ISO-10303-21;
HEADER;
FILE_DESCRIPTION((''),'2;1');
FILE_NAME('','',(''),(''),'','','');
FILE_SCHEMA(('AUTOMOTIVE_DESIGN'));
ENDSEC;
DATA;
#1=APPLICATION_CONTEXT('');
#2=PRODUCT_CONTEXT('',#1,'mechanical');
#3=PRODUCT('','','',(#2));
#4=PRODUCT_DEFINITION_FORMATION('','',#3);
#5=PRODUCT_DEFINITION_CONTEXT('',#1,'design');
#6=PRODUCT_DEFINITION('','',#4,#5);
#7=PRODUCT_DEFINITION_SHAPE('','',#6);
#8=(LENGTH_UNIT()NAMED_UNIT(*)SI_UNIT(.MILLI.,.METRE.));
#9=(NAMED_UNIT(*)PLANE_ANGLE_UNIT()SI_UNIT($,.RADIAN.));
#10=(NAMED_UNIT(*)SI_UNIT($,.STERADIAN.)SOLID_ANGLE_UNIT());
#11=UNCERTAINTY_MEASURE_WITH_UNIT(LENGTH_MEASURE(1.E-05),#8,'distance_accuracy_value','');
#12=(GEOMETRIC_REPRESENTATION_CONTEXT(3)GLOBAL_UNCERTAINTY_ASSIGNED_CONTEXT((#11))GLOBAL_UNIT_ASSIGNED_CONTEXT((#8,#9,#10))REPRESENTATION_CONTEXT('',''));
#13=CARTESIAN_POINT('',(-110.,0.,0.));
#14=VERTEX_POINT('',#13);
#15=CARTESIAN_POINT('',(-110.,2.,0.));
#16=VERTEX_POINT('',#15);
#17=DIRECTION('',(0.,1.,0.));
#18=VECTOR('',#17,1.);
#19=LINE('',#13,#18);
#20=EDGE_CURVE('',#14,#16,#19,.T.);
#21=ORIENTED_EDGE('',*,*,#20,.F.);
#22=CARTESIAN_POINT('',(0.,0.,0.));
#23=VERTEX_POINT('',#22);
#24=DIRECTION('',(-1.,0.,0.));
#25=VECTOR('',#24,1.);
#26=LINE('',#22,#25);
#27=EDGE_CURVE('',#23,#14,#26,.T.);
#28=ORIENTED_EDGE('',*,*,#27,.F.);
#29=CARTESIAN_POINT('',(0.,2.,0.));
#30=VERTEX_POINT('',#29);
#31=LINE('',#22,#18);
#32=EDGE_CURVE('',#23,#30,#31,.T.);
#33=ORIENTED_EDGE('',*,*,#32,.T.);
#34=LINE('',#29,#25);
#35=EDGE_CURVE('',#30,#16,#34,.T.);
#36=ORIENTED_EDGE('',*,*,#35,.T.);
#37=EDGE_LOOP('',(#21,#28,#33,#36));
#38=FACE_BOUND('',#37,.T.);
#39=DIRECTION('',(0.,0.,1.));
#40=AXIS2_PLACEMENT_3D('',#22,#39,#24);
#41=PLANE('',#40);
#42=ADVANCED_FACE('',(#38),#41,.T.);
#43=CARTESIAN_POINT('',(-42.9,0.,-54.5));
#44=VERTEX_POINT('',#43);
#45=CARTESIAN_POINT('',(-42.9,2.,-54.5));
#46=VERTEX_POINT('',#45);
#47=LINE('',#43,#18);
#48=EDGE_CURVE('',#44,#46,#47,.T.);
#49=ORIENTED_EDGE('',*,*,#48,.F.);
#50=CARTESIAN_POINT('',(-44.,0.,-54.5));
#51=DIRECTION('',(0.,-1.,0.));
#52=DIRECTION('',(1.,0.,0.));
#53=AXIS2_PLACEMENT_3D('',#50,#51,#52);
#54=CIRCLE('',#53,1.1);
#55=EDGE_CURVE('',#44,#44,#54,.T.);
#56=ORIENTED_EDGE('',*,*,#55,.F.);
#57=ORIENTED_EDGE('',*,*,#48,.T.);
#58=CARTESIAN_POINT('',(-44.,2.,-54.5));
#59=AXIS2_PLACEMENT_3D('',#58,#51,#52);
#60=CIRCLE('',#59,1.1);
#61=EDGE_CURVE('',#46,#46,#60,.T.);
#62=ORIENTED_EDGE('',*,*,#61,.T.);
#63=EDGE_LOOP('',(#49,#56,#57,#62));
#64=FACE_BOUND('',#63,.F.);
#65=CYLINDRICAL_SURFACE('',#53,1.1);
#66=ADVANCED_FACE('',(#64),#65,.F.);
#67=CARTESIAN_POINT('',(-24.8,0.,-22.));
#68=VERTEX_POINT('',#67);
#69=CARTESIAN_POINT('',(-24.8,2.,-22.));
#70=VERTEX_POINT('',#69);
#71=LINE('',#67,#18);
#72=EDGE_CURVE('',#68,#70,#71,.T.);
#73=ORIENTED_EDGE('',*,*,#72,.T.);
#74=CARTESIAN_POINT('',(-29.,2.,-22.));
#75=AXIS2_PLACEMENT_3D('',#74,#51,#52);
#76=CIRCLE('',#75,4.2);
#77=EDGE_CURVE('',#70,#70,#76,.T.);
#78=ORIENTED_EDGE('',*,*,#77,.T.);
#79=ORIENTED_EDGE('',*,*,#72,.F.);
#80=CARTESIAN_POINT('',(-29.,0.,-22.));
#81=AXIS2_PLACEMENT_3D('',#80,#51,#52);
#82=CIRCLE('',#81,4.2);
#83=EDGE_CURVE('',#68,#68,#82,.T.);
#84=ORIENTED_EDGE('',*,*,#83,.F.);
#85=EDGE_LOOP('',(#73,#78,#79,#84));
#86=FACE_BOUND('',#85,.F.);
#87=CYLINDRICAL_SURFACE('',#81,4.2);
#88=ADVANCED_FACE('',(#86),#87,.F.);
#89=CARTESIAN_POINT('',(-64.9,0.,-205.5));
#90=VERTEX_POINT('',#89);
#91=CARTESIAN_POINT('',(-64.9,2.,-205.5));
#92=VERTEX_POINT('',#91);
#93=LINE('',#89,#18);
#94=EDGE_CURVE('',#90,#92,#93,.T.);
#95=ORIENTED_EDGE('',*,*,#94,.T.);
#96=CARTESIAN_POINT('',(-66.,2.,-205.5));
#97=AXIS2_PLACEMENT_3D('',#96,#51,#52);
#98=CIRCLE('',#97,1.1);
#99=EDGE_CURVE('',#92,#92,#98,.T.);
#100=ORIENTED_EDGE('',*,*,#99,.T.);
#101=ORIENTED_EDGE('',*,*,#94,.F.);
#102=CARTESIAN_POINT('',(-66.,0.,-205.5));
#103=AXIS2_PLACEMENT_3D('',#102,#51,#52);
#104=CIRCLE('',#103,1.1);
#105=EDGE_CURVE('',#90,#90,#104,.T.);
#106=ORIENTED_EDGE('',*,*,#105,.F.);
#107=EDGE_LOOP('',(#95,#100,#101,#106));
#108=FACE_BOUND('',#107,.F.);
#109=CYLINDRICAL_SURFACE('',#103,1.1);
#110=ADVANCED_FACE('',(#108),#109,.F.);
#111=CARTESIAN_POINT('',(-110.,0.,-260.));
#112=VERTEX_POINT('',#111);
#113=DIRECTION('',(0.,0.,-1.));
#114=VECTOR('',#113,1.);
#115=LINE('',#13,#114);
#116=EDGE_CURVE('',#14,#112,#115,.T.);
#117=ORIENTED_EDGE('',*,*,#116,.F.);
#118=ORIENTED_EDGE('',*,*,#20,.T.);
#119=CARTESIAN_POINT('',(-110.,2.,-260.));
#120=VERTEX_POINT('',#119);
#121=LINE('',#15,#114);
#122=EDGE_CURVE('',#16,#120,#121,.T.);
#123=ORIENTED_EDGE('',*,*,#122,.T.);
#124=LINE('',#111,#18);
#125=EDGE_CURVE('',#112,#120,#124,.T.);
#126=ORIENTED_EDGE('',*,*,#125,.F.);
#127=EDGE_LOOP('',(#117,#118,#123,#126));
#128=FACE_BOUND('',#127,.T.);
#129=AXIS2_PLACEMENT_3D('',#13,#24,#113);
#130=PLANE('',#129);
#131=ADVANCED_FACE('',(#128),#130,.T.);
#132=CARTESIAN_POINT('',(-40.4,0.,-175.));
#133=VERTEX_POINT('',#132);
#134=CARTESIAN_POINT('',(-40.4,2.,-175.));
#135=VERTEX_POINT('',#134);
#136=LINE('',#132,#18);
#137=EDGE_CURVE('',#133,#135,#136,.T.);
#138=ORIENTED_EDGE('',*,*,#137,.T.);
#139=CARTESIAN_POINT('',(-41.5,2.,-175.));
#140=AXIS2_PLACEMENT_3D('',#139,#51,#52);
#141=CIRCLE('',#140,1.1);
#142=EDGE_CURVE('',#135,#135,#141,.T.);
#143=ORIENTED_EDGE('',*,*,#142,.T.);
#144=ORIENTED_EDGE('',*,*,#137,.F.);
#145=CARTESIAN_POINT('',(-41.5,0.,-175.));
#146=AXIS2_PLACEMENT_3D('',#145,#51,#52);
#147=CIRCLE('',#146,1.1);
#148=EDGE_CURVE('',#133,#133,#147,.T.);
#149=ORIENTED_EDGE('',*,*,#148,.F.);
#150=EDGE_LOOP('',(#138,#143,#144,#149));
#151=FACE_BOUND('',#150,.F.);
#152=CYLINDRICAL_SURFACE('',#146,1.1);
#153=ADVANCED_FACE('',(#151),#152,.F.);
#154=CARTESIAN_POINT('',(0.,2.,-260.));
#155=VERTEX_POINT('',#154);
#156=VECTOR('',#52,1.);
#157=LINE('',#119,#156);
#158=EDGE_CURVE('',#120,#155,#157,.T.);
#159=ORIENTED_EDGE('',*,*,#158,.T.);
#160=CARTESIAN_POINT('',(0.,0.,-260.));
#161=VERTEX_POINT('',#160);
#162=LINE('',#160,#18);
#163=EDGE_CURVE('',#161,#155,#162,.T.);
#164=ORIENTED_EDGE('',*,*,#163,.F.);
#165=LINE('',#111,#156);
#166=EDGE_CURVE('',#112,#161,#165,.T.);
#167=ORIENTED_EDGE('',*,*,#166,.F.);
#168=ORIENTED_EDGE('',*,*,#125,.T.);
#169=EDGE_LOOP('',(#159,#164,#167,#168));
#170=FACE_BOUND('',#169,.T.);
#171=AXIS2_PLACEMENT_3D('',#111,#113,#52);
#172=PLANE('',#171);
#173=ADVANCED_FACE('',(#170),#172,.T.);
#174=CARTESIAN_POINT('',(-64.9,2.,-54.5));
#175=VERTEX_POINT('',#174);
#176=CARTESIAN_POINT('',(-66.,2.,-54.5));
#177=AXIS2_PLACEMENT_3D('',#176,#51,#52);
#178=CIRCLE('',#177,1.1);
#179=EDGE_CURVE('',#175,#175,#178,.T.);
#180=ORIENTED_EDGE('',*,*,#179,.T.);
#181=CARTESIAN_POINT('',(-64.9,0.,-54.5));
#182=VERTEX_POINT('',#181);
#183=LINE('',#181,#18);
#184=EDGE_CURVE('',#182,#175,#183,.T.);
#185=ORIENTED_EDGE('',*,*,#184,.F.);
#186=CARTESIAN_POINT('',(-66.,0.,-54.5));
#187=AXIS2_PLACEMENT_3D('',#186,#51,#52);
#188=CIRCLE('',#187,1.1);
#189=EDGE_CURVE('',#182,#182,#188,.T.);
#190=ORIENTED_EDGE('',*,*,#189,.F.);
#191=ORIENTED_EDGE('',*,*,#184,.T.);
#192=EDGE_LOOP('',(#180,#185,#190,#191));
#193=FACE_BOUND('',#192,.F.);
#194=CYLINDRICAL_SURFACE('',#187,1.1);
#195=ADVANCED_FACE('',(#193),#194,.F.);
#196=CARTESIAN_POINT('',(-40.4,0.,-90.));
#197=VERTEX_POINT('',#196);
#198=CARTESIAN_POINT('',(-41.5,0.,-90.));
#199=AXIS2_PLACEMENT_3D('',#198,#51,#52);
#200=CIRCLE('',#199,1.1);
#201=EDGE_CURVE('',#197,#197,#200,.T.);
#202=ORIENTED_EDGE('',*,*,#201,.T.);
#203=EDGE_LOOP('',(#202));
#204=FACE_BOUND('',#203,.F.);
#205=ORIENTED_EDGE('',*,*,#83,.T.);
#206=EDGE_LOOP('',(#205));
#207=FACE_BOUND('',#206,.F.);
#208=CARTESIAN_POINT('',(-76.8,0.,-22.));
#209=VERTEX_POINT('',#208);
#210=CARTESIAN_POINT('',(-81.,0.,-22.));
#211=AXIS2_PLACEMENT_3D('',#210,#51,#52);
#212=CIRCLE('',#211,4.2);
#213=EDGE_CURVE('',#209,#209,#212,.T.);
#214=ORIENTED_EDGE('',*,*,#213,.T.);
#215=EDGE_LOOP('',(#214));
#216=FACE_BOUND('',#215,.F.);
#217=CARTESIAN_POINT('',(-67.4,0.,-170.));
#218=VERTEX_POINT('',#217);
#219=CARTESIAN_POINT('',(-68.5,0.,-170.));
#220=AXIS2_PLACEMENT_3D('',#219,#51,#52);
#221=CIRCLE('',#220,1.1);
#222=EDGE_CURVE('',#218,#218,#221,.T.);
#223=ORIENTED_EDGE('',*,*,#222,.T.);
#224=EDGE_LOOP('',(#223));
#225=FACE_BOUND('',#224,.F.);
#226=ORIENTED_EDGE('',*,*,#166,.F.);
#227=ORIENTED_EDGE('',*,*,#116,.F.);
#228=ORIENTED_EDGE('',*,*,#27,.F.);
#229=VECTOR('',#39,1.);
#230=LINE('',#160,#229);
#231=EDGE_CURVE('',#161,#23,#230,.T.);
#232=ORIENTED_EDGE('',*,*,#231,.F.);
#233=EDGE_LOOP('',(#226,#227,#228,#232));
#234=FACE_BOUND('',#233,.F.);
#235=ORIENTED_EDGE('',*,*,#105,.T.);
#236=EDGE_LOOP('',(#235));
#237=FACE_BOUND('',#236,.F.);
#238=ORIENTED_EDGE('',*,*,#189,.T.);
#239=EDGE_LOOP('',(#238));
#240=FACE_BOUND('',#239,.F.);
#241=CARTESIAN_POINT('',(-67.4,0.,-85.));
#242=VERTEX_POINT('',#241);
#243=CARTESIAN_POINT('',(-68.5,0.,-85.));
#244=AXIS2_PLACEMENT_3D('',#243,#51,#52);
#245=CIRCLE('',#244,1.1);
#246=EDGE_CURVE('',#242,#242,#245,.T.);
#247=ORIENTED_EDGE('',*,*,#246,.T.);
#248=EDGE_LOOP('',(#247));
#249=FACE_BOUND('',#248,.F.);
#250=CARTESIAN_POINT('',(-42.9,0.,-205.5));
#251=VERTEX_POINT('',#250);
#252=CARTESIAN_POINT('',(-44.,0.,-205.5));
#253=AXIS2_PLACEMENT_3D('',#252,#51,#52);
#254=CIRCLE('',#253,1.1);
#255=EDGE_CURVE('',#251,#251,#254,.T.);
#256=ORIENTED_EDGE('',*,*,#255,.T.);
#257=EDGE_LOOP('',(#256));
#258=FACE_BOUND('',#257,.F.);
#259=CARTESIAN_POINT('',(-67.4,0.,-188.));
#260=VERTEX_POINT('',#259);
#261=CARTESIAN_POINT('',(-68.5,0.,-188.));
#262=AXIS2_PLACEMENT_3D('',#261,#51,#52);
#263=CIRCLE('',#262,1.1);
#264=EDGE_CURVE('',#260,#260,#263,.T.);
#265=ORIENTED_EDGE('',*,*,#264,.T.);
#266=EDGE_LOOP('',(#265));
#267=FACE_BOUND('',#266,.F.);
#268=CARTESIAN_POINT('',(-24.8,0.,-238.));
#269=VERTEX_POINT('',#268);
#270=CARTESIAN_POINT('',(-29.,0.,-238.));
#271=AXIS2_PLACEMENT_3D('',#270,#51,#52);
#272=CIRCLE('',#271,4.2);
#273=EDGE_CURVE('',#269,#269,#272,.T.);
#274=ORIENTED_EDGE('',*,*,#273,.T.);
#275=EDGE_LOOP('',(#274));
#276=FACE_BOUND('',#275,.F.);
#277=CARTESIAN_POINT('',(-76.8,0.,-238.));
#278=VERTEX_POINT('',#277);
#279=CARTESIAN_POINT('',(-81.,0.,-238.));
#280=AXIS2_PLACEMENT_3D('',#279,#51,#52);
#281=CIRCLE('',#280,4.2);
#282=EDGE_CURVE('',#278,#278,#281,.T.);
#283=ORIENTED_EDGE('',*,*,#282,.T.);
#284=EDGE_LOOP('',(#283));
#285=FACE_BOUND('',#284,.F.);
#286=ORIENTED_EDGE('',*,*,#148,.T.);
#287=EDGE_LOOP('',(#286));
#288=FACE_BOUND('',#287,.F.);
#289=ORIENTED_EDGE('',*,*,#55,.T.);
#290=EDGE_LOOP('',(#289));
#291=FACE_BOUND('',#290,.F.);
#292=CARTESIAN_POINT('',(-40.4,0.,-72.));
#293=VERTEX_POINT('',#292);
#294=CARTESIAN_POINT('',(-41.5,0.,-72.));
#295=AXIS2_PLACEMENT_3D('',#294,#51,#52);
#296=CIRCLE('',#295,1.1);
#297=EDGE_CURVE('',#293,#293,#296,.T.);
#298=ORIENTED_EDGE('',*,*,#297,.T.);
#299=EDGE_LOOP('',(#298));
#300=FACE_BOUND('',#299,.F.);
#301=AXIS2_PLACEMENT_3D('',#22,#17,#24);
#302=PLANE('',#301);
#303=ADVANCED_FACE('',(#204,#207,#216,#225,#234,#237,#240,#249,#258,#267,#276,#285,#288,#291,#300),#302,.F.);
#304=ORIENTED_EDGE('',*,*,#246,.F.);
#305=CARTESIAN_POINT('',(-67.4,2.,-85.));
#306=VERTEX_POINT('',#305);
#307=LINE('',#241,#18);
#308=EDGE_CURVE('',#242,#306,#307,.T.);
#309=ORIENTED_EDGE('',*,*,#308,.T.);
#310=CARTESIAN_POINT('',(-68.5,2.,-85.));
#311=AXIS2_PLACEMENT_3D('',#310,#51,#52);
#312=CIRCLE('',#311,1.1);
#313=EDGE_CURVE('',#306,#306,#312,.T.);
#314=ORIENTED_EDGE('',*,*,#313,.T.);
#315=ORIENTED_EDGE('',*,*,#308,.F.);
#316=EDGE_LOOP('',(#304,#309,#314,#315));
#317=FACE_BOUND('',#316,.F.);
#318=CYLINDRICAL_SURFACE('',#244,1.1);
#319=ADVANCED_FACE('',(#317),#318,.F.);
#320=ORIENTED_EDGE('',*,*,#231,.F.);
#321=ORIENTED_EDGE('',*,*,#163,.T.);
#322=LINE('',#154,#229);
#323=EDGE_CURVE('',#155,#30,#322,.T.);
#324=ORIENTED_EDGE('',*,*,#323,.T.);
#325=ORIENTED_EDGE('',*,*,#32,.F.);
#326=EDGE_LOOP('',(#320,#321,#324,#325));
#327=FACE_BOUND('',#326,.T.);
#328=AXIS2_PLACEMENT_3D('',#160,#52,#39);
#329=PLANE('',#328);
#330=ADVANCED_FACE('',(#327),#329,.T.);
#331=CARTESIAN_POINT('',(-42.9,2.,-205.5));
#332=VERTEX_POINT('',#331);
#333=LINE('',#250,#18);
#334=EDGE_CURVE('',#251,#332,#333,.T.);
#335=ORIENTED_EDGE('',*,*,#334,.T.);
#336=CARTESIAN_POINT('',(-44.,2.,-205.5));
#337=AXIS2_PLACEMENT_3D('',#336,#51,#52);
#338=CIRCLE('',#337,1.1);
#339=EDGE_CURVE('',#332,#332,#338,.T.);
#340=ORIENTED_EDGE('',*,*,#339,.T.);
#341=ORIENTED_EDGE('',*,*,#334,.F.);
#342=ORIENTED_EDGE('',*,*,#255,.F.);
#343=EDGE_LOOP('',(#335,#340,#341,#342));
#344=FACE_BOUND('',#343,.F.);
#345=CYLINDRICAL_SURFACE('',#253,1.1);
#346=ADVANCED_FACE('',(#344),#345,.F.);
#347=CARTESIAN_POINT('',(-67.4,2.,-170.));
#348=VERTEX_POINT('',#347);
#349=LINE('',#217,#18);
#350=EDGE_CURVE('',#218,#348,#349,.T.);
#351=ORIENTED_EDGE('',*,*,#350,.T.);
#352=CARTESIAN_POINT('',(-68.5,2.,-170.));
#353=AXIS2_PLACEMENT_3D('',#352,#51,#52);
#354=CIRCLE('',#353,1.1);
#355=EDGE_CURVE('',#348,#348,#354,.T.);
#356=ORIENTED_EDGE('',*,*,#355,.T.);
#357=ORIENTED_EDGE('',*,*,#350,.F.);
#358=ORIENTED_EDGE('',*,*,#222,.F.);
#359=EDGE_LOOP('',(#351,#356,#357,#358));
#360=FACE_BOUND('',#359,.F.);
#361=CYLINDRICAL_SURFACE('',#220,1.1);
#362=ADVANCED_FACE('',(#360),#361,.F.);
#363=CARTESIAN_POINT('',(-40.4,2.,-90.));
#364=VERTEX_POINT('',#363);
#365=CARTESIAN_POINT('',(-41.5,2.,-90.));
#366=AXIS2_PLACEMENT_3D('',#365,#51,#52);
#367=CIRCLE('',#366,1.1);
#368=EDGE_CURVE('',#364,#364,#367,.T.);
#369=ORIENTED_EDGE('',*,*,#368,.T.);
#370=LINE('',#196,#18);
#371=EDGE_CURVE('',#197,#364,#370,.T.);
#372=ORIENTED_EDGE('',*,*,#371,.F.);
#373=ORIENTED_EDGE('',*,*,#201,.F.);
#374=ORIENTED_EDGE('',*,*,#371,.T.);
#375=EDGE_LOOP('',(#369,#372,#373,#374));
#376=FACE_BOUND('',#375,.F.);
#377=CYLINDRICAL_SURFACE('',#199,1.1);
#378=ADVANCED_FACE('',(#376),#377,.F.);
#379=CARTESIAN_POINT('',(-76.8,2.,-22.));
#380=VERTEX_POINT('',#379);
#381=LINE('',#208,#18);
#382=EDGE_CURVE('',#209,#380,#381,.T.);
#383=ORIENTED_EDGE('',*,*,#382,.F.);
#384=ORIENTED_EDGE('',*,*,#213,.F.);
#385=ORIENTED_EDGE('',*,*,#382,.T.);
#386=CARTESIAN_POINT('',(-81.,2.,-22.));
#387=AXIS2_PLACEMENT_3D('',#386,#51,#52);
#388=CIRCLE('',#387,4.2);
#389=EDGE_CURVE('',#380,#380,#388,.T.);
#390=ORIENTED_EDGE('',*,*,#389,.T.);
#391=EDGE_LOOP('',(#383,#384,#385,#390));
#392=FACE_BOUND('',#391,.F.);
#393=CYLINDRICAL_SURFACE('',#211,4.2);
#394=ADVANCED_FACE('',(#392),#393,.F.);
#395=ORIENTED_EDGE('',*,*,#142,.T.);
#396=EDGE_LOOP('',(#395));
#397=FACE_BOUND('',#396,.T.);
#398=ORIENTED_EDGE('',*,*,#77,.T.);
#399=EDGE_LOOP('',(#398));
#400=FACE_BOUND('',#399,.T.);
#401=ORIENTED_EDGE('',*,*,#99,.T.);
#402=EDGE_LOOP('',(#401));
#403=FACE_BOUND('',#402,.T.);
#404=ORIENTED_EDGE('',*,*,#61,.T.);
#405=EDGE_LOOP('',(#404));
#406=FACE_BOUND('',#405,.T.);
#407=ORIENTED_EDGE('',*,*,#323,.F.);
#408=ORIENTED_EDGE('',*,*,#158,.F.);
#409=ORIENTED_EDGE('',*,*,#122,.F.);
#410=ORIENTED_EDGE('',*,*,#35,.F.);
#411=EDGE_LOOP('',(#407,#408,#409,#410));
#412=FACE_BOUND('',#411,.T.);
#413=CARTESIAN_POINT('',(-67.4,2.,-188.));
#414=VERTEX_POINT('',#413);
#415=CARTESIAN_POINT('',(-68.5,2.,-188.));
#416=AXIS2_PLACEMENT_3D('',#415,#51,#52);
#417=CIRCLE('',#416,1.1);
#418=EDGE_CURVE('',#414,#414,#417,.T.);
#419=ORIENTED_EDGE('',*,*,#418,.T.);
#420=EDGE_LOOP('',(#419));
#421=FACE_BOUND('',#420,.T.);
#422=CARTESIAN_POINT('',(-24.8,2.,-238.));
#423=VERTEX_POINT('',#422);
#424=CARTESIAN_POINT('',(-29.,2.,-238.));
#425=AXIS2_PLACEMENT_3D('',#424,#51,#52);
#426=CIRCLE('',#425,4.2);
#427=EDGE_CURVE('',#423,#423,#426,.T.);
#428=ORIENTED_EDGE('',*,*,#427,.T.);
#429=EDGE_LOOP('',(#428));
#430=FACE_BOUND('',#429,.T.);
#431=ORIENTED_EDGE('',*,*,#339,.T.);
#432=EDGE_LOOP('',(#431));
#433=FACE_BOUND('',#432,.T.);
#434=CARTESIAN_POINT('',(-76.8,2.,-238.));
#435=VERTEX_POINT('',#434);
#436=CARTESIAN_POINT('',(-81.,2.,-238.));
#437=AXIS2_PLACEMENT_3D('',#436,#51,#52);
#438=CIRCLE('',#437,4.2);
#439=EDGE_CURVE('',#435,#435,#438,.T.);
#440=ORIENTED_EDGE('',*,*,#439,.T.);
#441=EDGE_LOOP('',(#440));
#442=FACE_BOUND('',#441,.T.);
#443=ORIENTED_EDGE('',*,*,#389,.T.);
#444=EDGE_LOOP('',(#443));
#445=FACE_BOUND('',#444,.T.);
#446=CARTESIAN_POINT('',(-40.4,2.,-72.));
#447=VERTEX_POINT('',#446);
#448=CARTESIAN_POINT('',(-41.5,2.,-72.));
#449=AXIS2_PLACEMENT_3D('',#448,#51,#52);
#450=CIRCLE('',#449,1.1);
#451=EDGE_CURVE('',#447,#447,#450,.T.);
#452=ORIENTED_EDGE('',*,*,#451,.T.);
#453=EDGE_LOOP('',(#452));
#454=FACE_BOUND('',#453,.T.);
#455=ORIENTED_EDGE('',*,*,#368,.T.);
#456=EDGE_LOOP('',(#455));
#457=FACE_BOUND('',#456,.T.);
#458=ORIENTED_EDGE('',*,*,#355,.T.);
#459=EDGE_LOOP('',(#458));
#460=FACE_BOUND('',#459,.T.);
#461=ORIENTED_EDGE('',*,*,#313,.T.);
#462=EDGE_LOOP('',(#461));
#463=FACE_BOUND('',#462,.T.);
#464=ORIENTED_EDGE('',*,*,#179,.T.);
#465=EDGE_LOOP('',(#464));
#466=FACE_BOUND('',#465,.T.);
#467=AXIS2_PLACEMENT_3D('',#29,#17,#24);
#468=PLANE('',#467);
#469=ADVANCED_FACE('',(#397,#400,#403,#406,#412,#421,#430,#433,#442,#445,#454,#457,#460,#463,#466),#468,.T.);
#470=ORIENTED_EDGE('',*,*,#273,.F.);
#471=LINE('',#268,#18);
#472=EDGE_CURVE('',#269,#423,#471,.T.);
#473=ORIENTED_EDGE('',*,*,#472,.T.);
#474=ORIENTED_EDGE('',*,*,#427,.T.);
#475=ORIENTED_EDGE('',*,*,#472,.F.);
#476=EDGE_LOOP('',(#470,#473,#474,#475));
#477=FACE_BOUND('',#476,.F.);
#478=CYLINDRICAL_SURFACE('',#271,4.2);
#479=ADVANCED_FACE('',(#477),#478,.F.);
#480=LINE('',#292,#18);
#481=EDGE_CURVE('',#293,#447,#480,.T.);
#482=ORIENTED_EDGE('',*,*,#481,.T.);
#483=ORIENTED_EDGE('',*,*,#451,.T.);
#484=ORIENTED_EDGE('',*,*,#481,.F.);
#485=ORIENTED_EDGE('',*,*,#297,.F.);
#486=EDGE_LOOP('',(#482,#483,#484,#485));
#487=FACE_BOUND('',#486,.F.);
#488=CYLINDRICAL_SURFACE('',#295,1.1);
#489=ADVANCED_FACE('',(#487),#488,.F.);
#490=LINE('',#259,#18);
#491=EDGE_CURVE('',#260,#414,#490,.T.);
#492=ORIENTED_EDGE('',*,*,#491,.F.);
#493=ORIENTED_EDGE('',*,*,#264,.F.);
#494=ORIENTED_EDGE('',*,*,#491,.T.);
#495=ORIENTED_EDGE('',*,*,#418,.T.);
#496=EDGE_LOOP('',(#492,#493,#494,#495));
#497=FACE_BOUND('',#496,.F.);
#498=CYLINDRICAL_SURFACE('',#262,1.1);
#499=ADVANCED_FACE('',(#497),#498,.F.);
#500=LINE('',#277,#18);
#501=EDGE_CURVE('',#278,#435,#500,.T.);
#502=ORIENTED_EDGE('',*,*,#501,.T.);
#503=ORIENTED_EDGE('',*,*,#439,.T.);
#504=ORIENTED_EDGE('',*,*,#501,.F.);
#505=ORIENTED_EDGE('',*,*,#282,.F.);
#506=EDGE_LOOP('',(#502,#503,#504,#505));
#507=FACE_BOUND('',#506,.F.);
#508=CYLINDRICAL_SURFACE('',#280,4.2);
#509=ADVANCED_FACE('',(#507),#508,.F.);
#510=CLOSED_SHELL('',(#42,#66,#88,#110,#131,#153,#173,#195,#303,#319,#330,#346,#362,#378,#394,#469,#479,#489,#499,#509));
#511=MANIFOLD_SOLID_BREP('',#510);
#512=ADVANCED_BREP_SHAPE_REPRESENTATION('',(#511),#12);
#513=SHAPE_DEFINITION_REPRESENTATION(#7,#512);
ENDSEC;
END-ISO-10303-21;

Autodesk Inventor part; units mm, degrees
ref_plane "YZ Plane" through (0, 0, 0) normal (1, 0, 0) x (0, 1, 0)
ref_plane "XZ Plane" through (0, 0, 0) normal (0, 1, 0) x (-1, 0, 0)
ref_plane "XY Plane" through (0, 0, 0) normal (0, 0, 1) x (1, 0, 0)
sketch "スケッチ1" plane through (0, 0, 0) normal (0, 1, 0) x (-1, 0, 0)
  line L0 (0, 0) -> (110, 0)
  line L1 (110, 0) -> (110, -260)
  line L2 (110, -260) -> (0, -260)
  line L3 (0, -260) -> (0, 0)
  dimension "d0" = 110
  dimension "d1" = 260
extrude "押し出し1" add sketch "スケッチ1" along normal blind 2
sketch "スケッチ2" plane through (0, 0, 0) normal (0, -1, 0) x (1, 0, 0)
  line L0 (0, -260) -> (0, 0) projected
  line L1 (0, 0) -> (-110, 0) projected
  line L2 (-110, -260) -> (0, -260) projected
  circle A0 centre (-41.5, -72) radius 1.1
  circle A1 centre (-41.5, -90) radius 1.1
  circle A2 centre (-68.5, -85) radius 1.1
  circle A3 centre (-66, -54.5) radius 1.1
  circle A4 centre (-44, -54.5) radius 1.1
  circle A5 centre (-44, -205.5) radius 1.1
  circle A6 centre (-66, -205.5) radius 1.1
  circle A7 centre (-68.5, -188) radius 1.1
  circle A8 centre (-68.5, -170) radius 1.1
  circle A9 centre (-41.5, -175) radius 1.1
  circle A10 centre (-29, -22) radius 4.2
  circle A11 centre (-81, -22) radius 4.2
  line L3 (-110, 0) -> (-110, -260) projected
  circle A12 centre (-81, -238) radius 4.2
  circle A13 centre (-29, -238) radius 4.2
  dimension "d30" = 2.2
  dimension "d32" = 72
  dimension "d33" = 2.2
  dimension "d35" = 2.2
  dimension "d37" = 85
  dimension "d40" = 41.5
  dimension "d41" = 41.5
  dimension "d42" = 2.2
  dimension "d44" = 54.5
  dimension "d45" = 2.2
  dimension "d47" = 54.5
  dimension "d48" = 66
  dimension "d49" = 44
  dimension "d57" = 90
  dimension "d58" = 2.2
  dimension "d59" = 44
  dimension "d60" = 205.5
  dimension "d61" = 2.2
  dimension "d62" = 66
  dimension "d63" = 205.5
  dimension "d64" = 2.2
  dimension "d65" = 68.5
  dimension "d66" = 188
  dimension "d67" = 2.2
  dimension "d68" = 68.5
  dimension "d69" = 170
  dimension "d70" = 2.2
  dimension "d71" = 41.5
  dimension "d72" = 175
  dimension "d75" = 8.4
  dimension "d76" = 29
  dimension "d77" = 22
  dimension "d78" = 8.4
  dimension "d79" = 29
  dimension "d80" = 22
  dimension "d81" = 68.5
  dimension "d82" = 8.4
  dimension "d83" = 29
  dimension "d84" = 22
  dimension "d85" = 8.4
  dimension "d86" = 29
  dimension "d87" = 22
extrude "押し出し7" cut sketch "スケッチ2" against normal blind 2 contours A0 | A1 | A2 | A3 | A4 | A5 | A6 | A7 | A8 | A9 | A10 | A11 | A12 | A13
properties part number "bottom_board"
